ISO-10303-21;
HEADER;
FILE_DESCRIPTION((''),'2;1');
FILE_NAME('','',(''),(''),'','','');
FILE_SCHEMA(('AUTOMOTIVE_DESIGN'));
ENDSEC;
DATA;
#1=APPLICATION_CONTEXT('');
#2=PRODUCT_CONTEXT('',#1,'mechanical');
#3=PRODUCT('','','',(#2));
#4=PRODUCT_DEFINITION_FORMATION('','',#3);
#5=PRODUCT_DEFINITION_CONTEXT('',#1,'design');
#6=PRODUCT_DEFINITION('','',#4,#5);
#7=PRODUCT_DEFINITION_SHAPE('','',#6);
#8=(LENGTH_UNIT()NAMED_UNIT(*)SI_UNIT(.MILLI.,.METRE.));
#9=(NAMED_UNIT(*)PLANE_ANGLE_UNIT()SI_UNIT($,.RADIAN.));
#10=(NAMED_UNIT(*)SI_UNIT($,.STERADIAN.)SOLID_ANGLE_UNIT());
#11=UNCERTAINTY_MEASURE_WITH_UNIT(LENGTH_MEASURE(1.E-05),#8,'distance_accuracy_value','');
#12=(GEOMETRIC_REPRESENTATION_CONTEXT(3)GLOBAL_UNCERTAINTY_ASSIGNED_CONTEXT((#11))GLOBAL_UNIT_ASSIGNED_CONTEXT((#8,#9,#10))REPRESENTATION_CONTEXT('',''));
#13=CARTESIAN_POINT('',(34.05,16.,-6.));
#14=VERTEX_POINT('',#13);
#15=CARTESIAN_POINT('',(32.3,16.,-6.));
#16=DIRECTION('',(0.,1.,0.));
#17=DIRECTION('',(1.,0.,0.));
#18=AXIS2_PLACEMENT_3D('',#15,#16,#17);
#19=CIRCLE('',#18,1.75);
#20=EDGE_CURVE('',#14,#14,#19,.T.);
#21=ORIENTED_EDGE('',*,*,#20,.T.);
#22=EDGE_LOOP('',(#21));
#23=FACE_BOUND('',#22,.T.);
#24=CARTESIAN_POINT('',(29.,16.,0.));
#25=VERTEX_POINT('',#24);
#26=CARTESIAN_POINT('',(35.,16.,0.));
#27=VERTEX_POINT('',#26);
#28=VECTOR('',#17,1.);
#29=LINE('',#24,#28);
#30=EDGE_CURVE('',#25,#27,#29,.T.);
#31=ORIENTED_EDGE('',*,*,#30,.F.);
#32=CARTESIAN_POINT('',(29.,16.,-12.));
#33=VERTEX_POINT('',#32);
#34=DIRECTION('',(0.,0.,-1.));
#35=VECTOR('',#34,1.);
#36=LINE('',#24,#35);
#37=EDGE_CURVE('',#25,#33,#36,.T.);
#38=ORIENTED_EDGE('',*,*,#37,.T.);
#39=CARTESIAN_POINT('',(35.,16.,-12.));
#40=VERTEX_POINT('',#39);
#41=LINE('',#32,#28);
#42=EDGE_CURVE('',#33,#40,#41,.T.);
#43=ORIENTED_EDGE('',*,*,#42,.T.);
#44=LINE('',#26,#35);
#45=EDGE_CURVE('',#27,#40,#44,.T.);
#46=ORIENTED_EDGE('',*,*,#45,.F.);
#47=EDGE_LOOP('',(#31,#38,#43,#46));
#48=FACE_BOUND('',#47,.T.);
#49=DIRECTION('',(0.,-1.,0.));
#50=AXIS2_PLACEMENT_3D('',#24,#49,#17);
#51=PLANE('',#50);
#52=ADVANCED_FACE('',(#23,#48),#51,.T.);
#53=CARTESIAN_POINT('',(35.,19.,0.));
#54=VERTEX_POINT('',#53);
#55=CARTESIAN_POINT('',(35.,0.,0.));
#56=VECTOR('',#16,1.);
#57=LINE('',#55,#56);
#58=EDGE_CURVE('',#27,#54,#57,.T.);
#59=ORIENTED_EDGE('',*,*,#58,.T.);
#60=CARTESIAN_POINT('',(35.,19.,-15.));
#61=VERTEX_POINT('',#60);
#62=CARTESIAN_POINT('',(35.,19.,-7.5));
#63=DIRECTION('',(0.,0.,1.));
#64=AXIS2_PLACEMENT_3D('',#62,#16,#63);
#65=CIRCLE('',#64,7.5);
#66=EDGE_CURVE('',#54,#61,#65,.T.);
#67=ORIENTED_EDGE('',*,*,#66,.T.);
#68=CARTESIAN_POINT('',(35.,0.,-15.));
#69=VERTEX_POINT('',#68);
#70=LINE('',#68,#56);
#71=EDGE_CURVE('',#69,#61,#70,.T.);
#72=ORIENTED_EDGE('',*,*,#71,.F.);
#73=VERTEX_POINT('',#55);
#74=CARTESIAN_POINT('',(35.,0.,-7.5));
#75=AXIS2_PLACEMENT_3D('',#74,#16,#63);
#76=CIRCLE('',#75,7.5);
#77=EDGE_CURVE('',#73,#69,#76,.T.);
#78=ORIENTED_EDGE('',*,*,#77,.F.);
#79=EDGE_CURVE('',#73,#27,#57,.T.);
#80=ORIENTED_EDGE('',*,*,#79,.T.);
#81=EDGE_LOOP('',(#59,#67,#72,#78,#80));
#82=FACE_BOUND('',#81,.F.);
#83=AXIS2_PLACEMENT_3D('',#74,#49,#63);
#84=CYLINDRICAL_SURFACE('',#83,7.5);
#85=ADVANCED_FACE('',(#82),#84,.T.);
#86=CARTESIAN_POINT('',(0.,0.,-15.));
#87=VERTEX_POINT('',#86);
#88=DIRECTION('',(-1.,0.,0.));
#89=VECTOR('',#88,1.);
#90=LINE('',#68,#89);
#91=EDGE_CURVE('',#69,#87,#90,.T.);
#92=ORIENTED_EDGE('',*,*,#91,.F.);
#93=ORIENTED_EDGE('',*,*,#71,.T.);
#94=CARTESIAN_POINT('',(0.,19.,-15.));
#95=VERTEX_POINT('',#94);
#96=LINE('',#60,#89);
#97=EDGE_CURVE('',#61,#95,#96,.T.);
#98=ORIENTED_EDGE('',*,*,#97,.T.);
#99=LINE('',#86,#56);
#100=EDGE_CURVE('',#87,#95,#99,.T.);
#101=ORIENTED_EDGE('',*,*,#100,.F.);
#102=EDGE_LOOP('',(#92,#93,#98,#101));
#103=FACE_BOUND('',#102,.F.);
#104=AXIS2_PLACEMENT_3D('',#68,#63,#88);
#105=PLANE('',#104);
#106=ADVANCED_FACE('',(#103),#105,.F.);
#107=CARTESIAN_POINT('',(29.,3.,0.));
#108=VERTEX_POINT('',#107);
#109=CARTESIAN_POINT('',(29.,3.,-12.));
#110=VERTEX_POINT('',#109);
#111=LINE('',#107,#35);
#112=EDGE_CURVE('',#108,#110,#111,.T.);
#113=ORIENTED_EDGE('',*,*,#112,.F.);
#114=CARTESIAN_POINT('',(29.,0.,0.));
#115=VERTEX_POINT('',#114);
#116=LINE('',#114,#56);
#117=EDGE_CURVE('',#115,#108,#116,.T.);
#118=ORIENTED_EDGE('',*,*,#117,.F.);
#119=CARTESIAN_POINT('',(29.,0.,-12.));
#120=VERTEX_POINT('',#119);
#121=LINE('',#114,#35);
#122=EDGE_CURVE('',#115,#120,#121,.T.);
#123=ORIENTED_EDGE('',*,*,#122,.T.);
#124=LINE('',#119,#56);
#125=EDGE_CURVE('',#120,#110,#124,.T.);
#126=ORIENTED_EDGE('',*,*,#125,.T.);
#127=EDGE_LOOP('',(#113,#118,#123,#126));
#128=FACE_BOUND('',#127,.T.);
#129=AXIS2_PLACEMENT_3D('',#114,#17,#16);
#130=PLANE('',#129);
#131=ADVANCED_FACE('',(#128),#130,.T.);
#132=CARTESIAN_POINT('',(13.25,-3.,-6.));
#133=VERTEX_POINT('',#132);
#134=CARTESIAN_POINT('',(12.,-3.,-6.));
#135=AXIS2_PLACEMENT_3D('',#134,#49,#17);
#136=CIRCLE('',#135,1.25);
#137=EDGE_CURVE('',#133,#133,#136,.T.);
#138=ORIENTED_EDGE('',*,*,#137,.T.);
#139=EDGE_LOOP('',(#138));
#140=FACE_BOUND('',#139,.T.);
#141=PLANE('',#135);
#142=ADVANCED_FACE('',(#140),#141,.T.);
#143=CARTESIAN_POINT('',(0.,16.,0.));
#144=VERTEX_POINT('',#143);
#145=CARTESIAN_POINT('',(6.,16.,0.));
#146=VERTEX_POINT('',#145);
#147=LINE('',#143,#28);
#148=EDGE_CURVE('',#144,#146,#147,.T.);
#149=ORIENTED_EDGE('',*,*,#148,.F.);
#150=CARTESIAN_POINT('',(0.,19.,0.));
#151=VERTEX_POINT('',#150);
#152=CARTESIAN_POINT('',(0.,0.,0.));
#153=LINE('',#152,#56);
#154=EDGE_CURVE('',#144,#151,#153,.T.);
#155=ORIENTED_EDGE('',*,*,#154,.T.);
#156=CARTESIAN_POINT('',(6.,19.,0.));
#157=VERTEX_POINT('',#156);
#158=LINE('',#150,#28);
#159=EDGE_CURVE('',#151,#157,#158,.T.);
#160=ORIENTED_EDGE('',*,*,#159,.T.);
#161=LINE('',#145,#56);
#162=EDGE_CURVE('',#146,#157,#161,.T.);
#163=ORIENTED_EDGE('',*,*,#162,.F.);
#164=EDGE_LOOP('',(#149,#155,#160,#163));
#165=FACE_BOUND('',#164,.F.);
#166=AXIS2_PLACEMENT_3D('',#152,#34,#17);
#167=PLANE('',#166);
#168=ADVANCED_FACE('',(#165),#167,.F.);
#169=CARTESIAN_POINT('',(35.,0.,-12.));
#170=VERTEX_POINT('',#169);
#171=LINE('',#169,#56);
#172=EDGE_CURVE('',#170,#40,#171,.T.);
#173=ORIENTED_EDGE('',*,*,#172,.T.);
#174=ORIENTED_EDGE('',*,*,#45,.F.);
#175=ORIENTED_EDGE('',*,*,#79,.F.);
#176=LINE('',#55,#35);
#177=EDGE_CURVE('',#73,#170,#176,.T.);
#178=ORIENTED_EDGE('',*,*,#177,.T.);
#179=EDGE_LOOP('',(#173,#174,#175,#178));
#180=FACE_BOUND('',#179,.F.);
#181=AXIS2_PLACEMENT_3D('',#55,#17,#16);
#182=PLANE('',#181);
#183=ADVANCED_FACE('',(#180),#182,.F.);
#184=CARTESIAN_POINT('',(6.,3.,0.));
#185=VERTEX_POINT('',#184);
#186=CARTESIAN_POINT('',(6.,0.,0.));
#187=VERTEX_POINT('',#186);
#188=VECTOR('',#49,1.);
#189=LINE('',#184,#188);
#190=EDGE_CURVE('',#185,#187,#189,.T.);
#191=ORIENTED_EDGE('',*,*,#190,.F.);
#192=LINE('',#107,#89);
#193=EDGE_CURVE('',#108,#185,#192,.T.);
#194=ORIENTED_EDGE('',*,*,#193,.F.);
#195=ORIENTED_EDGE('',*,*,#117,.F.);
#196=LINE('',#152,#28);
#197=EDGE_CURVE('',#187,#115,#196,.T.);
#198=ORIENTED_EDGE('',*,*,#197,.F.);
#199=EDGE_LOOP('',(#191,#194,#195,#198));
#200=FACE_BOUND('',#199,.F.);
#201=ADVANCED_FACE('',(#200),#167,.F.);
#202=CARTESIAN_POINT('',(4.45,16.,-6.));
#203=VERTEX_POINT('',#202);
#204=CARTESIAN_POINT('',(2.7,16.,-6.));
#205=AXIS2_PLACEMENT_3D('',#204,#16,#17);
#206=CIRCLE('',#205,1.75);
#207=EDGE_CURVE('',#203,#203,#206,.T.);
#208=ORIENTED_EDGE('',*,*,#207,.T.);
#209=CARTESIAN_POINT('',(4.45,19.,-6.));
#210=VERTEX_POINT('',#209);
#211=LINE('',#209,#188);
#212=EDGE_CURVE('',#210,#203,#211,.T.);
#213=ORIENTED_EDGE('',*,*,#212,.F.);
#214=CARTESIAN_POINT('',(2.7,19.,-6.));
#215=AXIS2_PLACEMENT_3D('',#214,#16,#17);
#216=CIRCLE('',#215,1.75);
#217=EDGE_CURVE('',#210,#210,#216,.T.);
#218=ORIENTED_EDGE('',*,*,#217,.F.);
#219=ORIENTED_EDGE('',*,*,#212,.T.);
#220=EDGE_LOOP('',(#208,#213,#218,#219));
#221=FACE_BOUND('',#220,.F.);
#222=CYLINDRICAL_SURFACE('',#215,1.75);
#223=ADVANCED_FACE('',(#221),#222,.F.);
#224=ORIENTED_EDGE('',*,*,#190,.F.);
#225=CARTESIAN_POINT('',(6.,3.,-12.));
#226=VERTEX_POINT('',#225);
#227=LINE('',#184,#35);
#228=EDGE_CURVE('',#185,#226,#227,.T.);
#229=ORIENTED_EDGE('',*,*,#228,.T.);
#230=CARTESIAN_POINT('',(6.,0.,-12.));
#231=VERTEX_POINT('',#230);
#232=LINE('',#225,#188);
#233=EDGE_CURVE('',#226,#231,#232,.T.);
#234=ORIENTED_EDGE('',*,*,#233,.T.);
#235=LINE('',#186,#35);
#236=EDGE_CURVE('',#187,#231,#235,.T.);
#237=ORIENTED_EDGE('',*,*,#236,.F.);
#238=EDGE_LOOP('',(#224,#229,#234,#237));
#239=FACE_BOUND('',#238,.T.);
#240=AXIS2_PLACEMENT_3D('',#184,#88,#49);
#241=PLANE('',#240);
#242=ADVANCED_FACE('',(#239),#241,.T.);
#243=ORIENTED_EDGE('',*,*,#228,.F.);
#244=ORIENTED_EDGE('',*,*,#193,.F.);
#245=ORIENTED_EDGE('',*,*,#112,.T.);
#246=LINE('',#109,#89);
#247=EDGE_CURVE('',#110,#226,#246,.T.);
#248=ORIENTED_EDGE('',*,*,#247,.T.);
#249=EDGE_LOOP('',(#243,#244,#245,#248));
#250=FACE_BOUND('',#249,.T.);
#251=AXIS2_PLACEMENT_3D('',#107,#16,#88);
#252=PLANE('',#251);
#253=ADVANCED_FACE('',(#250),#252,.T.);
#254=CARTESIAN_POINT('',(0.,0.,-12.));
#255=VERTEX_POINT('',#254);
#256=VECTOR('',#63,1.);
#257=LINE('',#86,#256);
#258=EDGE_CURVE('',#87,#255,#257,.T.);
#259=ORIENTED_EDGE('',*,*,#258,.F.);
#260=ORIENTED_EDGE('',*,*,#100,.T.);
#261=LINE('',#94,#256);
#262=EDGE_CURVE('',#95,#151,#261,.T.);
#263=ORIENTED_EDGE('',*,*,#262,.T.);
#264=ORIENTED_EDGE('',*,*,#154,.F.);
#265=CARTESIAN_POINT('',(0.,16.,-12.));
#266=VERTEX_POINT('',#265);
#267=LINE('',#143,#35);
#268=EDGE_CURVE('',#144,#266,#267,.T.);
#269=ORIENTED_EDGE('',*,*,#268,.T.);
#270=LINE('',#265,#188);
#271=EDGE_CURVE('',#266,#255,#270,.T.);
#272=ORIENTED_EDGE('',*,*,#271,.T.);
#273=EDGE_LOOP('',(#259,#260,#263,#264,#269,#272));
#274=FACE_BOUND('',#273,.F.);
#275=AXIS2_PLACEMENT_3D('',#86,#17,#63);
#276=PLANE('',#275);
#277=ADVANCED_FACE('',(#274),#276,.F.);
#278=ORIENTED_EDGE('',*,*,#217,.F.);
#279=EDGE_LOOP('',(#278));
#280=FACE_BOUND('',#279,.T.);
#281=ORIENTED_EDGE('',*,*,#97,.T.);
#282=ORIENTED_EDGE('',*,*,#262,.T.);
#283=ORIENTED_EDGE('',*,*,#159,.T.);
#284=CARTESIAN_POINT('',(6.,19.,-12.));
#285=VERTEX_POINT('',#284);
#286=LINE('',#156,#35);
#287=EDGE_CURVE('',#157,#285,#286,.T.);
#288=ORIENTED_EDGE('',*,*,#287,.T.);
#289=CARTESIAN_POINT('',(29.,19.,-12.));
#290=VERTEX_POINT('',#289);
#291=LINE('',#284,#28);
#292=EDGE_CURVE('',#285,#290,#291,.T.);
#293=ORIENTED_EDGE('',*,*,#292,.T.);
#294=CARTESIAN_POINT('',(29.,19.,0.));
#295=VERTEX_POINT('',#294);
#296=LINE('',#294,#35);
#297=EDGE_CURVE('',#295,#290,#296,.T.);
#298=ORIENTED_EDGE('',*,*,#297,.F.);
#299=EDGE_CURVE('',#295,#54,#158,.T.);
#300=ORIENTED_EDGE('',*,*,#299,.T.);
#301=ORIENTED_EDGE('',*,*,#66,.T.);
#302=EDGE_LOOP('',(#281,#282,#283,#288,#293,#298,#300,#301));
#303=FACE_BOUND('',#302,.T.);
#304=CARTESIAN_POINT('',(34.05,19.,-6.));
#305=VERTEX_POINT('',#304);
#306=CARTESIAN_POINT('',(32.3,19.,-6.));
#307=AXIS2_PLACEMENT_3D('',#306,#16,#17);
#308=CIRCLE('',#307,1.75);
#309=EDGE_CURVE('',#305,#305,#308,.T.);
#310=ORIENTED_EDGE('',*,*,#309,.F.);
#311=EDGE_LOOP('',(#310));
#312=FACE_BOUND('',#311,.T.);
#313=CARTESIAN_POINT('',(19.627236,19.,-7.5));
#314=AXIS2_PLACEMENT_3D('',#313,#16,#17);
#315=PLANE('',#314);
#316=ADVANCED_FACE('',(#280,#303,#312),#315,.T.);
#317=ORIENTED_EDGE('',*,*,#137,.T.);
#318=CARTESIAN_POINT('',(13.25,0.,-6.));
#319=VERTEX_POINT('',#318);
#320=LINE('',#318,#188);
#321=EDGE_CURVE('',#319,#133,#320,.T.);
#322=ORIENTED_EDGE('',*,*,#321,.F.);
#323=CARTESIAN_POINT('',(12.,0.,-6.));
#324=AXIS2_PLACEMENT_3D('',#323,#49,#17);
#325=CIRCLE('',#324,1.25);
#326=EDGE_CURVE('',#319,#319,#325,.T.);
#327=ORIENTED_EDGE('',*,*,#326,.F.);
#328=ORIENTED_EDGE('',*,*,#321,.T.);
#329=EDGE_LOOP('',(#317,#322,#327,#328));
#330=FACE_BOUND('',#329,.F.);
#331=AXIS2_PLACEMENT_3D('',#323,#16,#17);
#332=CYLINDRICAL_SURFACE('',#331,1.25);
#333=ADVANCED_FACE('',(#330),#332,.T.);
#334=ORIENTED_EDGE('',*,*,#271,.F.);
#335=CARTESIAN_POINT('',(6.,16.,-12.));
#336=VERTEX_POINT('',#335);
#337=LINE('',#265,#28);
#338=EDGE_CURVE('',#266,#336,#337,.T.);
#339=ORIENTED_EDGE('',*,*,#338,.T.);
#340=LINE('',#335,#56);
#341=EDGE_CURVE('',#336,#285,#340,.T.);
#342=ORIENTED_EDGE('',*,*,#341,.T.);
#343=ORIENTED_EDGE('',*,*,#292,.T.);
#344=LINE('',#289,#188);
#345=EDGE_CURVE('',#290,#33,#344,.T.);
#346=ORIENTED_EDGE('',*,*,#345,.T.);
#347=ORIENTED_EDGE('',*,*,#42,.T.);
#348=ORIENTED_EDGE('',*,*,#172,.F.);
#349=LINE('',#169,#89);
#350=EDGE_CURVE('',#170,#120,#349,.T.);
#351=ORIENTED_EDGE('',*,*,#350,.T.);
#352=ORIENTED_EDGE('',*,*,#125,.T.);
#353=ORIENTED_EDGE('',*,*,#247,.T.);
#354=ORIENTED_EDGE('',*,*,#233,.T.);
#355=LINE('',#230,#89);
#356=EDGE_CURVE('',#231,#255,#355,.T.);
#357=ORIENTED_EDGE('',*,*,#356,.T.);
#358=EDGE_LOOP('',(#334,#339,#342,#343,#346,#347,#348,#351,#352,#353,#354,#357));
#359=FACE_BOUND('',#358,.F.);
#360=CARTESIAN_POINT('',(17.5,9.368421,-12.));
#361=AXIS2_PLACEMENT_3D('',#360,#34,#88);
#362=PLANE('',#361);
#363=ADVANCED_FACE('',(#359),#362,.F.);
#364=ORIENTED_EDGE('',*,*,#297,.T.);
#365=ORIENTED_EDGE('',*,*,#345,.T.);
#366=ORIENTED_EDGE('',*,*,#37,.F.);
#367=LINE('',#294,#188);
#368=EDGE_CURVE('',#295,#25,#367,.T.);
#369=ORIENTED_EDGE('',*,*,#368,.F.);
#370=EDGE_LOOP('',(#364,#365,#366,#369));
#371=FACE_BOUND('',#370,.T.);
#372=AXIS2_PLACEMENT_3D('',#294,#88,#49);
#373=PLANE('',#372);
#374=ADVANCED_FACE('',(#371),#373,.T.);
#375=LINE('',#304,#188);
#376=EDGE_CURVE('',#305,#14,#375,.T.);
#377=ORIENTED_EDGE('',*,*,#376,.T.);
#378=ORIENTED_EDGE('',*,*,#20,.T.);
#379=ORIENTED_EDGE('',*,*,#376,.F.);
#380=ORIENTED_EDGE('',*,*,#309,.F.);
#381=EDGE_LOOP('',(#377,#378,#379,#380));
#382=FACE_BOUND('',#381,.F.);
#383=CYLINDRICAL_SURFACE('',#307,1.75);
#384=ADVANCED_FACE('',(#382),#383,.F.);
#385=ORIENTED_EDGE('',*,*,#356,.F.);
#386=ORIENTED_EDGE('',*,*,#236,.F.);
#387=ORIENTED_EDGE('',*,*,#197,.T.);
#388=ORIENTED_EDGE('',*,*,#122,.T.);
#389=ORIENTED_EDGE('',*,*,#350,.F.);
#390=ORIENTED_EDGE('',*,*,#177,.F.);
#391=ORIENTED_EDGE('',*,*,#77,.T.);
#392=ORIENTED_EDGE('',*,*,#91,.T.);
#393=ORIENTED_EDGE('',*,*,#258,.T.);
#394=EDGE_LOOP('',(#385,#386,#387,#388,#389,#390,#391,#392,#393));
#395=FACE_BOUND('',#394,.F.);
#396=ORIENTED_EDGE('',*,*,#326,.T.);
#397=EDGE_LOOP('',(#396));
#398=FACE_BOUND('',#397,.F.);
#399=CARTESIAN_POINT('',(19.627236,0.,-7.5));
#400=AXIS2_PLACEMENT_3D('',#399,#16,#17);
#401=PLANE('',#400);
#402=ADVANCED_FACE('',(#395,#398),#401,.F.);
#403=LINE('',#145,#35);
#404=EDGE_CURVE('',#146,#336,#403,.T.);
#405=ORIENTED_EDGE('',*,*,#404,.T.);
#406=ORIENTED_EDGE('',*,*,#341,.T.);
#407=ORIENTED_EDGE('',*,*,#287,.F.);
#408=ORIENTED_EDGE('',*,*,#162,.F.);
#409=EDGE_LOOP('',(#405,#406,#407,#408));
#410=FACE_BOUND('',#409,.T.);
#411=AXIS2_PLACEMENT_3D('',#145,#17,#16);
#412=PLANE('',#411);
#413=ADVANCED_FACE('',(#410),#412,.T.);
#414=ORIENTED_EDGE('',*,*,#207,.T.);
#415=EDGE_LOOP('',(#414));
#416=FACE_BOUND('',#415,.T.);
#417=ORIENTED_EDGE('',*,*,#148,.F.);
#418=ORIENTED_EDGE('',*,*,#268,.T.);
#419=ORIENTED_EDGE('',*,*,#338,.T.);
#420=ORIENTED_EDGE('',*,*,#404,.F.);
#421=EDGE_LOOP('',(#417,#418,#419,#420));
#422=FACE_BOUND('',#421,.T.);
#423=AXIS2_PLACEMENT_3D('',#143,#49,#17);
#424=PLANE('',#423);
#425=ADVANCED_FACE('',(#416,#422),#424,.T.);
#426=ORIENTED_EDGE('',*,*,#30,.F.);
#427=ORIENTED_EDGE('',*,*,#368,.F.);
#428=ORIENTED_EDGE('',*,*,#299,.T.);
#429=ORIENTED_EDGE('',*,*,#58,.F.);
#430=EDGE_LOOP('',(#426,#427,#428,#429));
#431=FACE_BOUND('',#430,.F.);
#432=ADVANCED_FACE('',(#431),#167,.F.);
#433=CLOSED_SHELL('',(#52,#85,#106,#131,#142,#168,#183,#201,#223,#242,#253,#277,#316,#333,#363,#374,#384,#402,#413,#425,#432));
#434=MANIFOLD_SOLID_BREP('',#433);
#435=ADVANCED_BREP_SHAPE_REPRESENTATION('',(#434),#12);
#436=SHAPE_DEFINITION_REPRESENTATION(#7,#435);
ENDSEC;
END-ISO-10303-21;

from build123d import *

# Parameters (mm, degrees)
BOSS_EXTRU_1_DEPTH      = 19
ENL_V_MAT_EXTRU_2_DEPTH = 12
ESQUISSE4_R             = 1.75
ENL_V_MAT_EXTRU_3_DEPTH = 12
ESQUISSE5_R             = 1.25
BOSS_EXTRU_2_DEPTH      = 3


with BuildPart() as part:
    # Esquisse1 → Boss.-Extru.1 (new body)
    with BuildSketch(Plane(origin=(0, 0, 0), x_dir=(1, 0, 0), z_dir=(0, 1, 0))):
        with BuildLine():
            Line((0, 0), (35, 0))
            ThreePointArc((35, 0), (42.5, 7.5), (35, 15))
            Line((35, 15), (0, 15))
            Line((0, 15), (0, 0))
        make_face()
    extrude(amount=BOSS_EXTRU_1_DEPTH)

    # Esquisse3 → Enlèv. mat.-Extru.2 (cut)
    with BuildSketch(Plane.XY):
        Polygon((6, 19), (29, 19), (29, 16), (35, 16), (35, 3.144779012), (35, 0), (29, 0), (29, 3), (6, 3), (6, 0), (0, 0), (0, 3.824764885), (0, 16), (6, 16), align=None)
    extrude(amount=-ENL_V_MAT_EXTRU_2_DEPTH, mode=Mode.SUBTRACT)

    # Esquisse4 → Enlèv. mat.-Extru.3 (cut)
    with BuildSketch(Plane(origin=(0, 19, 0), x_dir=(1, 0, 0), z_dir=(0, 1, 0))):
        with Locations((2.7, 6)):
            Circle(ESQUISSE4_R)
        with Locations((32.3, 6)):
            Circle(ESQUISSE4_R)
    extrude(amount=-ENL_V_MAT_EXTRU_3_DEPTH, mode=Mode.SUBTRACT)

    # Esquisse5 → Boss.-Extru.2 (add)
    with BuildSketch(Plane.XZ):
        with Locations((12, -6)):
            Circle(ESQUISSE5_R)
    extrude(amount=BOSS_EXTRU_2_DEPTH)


solid = part.part
